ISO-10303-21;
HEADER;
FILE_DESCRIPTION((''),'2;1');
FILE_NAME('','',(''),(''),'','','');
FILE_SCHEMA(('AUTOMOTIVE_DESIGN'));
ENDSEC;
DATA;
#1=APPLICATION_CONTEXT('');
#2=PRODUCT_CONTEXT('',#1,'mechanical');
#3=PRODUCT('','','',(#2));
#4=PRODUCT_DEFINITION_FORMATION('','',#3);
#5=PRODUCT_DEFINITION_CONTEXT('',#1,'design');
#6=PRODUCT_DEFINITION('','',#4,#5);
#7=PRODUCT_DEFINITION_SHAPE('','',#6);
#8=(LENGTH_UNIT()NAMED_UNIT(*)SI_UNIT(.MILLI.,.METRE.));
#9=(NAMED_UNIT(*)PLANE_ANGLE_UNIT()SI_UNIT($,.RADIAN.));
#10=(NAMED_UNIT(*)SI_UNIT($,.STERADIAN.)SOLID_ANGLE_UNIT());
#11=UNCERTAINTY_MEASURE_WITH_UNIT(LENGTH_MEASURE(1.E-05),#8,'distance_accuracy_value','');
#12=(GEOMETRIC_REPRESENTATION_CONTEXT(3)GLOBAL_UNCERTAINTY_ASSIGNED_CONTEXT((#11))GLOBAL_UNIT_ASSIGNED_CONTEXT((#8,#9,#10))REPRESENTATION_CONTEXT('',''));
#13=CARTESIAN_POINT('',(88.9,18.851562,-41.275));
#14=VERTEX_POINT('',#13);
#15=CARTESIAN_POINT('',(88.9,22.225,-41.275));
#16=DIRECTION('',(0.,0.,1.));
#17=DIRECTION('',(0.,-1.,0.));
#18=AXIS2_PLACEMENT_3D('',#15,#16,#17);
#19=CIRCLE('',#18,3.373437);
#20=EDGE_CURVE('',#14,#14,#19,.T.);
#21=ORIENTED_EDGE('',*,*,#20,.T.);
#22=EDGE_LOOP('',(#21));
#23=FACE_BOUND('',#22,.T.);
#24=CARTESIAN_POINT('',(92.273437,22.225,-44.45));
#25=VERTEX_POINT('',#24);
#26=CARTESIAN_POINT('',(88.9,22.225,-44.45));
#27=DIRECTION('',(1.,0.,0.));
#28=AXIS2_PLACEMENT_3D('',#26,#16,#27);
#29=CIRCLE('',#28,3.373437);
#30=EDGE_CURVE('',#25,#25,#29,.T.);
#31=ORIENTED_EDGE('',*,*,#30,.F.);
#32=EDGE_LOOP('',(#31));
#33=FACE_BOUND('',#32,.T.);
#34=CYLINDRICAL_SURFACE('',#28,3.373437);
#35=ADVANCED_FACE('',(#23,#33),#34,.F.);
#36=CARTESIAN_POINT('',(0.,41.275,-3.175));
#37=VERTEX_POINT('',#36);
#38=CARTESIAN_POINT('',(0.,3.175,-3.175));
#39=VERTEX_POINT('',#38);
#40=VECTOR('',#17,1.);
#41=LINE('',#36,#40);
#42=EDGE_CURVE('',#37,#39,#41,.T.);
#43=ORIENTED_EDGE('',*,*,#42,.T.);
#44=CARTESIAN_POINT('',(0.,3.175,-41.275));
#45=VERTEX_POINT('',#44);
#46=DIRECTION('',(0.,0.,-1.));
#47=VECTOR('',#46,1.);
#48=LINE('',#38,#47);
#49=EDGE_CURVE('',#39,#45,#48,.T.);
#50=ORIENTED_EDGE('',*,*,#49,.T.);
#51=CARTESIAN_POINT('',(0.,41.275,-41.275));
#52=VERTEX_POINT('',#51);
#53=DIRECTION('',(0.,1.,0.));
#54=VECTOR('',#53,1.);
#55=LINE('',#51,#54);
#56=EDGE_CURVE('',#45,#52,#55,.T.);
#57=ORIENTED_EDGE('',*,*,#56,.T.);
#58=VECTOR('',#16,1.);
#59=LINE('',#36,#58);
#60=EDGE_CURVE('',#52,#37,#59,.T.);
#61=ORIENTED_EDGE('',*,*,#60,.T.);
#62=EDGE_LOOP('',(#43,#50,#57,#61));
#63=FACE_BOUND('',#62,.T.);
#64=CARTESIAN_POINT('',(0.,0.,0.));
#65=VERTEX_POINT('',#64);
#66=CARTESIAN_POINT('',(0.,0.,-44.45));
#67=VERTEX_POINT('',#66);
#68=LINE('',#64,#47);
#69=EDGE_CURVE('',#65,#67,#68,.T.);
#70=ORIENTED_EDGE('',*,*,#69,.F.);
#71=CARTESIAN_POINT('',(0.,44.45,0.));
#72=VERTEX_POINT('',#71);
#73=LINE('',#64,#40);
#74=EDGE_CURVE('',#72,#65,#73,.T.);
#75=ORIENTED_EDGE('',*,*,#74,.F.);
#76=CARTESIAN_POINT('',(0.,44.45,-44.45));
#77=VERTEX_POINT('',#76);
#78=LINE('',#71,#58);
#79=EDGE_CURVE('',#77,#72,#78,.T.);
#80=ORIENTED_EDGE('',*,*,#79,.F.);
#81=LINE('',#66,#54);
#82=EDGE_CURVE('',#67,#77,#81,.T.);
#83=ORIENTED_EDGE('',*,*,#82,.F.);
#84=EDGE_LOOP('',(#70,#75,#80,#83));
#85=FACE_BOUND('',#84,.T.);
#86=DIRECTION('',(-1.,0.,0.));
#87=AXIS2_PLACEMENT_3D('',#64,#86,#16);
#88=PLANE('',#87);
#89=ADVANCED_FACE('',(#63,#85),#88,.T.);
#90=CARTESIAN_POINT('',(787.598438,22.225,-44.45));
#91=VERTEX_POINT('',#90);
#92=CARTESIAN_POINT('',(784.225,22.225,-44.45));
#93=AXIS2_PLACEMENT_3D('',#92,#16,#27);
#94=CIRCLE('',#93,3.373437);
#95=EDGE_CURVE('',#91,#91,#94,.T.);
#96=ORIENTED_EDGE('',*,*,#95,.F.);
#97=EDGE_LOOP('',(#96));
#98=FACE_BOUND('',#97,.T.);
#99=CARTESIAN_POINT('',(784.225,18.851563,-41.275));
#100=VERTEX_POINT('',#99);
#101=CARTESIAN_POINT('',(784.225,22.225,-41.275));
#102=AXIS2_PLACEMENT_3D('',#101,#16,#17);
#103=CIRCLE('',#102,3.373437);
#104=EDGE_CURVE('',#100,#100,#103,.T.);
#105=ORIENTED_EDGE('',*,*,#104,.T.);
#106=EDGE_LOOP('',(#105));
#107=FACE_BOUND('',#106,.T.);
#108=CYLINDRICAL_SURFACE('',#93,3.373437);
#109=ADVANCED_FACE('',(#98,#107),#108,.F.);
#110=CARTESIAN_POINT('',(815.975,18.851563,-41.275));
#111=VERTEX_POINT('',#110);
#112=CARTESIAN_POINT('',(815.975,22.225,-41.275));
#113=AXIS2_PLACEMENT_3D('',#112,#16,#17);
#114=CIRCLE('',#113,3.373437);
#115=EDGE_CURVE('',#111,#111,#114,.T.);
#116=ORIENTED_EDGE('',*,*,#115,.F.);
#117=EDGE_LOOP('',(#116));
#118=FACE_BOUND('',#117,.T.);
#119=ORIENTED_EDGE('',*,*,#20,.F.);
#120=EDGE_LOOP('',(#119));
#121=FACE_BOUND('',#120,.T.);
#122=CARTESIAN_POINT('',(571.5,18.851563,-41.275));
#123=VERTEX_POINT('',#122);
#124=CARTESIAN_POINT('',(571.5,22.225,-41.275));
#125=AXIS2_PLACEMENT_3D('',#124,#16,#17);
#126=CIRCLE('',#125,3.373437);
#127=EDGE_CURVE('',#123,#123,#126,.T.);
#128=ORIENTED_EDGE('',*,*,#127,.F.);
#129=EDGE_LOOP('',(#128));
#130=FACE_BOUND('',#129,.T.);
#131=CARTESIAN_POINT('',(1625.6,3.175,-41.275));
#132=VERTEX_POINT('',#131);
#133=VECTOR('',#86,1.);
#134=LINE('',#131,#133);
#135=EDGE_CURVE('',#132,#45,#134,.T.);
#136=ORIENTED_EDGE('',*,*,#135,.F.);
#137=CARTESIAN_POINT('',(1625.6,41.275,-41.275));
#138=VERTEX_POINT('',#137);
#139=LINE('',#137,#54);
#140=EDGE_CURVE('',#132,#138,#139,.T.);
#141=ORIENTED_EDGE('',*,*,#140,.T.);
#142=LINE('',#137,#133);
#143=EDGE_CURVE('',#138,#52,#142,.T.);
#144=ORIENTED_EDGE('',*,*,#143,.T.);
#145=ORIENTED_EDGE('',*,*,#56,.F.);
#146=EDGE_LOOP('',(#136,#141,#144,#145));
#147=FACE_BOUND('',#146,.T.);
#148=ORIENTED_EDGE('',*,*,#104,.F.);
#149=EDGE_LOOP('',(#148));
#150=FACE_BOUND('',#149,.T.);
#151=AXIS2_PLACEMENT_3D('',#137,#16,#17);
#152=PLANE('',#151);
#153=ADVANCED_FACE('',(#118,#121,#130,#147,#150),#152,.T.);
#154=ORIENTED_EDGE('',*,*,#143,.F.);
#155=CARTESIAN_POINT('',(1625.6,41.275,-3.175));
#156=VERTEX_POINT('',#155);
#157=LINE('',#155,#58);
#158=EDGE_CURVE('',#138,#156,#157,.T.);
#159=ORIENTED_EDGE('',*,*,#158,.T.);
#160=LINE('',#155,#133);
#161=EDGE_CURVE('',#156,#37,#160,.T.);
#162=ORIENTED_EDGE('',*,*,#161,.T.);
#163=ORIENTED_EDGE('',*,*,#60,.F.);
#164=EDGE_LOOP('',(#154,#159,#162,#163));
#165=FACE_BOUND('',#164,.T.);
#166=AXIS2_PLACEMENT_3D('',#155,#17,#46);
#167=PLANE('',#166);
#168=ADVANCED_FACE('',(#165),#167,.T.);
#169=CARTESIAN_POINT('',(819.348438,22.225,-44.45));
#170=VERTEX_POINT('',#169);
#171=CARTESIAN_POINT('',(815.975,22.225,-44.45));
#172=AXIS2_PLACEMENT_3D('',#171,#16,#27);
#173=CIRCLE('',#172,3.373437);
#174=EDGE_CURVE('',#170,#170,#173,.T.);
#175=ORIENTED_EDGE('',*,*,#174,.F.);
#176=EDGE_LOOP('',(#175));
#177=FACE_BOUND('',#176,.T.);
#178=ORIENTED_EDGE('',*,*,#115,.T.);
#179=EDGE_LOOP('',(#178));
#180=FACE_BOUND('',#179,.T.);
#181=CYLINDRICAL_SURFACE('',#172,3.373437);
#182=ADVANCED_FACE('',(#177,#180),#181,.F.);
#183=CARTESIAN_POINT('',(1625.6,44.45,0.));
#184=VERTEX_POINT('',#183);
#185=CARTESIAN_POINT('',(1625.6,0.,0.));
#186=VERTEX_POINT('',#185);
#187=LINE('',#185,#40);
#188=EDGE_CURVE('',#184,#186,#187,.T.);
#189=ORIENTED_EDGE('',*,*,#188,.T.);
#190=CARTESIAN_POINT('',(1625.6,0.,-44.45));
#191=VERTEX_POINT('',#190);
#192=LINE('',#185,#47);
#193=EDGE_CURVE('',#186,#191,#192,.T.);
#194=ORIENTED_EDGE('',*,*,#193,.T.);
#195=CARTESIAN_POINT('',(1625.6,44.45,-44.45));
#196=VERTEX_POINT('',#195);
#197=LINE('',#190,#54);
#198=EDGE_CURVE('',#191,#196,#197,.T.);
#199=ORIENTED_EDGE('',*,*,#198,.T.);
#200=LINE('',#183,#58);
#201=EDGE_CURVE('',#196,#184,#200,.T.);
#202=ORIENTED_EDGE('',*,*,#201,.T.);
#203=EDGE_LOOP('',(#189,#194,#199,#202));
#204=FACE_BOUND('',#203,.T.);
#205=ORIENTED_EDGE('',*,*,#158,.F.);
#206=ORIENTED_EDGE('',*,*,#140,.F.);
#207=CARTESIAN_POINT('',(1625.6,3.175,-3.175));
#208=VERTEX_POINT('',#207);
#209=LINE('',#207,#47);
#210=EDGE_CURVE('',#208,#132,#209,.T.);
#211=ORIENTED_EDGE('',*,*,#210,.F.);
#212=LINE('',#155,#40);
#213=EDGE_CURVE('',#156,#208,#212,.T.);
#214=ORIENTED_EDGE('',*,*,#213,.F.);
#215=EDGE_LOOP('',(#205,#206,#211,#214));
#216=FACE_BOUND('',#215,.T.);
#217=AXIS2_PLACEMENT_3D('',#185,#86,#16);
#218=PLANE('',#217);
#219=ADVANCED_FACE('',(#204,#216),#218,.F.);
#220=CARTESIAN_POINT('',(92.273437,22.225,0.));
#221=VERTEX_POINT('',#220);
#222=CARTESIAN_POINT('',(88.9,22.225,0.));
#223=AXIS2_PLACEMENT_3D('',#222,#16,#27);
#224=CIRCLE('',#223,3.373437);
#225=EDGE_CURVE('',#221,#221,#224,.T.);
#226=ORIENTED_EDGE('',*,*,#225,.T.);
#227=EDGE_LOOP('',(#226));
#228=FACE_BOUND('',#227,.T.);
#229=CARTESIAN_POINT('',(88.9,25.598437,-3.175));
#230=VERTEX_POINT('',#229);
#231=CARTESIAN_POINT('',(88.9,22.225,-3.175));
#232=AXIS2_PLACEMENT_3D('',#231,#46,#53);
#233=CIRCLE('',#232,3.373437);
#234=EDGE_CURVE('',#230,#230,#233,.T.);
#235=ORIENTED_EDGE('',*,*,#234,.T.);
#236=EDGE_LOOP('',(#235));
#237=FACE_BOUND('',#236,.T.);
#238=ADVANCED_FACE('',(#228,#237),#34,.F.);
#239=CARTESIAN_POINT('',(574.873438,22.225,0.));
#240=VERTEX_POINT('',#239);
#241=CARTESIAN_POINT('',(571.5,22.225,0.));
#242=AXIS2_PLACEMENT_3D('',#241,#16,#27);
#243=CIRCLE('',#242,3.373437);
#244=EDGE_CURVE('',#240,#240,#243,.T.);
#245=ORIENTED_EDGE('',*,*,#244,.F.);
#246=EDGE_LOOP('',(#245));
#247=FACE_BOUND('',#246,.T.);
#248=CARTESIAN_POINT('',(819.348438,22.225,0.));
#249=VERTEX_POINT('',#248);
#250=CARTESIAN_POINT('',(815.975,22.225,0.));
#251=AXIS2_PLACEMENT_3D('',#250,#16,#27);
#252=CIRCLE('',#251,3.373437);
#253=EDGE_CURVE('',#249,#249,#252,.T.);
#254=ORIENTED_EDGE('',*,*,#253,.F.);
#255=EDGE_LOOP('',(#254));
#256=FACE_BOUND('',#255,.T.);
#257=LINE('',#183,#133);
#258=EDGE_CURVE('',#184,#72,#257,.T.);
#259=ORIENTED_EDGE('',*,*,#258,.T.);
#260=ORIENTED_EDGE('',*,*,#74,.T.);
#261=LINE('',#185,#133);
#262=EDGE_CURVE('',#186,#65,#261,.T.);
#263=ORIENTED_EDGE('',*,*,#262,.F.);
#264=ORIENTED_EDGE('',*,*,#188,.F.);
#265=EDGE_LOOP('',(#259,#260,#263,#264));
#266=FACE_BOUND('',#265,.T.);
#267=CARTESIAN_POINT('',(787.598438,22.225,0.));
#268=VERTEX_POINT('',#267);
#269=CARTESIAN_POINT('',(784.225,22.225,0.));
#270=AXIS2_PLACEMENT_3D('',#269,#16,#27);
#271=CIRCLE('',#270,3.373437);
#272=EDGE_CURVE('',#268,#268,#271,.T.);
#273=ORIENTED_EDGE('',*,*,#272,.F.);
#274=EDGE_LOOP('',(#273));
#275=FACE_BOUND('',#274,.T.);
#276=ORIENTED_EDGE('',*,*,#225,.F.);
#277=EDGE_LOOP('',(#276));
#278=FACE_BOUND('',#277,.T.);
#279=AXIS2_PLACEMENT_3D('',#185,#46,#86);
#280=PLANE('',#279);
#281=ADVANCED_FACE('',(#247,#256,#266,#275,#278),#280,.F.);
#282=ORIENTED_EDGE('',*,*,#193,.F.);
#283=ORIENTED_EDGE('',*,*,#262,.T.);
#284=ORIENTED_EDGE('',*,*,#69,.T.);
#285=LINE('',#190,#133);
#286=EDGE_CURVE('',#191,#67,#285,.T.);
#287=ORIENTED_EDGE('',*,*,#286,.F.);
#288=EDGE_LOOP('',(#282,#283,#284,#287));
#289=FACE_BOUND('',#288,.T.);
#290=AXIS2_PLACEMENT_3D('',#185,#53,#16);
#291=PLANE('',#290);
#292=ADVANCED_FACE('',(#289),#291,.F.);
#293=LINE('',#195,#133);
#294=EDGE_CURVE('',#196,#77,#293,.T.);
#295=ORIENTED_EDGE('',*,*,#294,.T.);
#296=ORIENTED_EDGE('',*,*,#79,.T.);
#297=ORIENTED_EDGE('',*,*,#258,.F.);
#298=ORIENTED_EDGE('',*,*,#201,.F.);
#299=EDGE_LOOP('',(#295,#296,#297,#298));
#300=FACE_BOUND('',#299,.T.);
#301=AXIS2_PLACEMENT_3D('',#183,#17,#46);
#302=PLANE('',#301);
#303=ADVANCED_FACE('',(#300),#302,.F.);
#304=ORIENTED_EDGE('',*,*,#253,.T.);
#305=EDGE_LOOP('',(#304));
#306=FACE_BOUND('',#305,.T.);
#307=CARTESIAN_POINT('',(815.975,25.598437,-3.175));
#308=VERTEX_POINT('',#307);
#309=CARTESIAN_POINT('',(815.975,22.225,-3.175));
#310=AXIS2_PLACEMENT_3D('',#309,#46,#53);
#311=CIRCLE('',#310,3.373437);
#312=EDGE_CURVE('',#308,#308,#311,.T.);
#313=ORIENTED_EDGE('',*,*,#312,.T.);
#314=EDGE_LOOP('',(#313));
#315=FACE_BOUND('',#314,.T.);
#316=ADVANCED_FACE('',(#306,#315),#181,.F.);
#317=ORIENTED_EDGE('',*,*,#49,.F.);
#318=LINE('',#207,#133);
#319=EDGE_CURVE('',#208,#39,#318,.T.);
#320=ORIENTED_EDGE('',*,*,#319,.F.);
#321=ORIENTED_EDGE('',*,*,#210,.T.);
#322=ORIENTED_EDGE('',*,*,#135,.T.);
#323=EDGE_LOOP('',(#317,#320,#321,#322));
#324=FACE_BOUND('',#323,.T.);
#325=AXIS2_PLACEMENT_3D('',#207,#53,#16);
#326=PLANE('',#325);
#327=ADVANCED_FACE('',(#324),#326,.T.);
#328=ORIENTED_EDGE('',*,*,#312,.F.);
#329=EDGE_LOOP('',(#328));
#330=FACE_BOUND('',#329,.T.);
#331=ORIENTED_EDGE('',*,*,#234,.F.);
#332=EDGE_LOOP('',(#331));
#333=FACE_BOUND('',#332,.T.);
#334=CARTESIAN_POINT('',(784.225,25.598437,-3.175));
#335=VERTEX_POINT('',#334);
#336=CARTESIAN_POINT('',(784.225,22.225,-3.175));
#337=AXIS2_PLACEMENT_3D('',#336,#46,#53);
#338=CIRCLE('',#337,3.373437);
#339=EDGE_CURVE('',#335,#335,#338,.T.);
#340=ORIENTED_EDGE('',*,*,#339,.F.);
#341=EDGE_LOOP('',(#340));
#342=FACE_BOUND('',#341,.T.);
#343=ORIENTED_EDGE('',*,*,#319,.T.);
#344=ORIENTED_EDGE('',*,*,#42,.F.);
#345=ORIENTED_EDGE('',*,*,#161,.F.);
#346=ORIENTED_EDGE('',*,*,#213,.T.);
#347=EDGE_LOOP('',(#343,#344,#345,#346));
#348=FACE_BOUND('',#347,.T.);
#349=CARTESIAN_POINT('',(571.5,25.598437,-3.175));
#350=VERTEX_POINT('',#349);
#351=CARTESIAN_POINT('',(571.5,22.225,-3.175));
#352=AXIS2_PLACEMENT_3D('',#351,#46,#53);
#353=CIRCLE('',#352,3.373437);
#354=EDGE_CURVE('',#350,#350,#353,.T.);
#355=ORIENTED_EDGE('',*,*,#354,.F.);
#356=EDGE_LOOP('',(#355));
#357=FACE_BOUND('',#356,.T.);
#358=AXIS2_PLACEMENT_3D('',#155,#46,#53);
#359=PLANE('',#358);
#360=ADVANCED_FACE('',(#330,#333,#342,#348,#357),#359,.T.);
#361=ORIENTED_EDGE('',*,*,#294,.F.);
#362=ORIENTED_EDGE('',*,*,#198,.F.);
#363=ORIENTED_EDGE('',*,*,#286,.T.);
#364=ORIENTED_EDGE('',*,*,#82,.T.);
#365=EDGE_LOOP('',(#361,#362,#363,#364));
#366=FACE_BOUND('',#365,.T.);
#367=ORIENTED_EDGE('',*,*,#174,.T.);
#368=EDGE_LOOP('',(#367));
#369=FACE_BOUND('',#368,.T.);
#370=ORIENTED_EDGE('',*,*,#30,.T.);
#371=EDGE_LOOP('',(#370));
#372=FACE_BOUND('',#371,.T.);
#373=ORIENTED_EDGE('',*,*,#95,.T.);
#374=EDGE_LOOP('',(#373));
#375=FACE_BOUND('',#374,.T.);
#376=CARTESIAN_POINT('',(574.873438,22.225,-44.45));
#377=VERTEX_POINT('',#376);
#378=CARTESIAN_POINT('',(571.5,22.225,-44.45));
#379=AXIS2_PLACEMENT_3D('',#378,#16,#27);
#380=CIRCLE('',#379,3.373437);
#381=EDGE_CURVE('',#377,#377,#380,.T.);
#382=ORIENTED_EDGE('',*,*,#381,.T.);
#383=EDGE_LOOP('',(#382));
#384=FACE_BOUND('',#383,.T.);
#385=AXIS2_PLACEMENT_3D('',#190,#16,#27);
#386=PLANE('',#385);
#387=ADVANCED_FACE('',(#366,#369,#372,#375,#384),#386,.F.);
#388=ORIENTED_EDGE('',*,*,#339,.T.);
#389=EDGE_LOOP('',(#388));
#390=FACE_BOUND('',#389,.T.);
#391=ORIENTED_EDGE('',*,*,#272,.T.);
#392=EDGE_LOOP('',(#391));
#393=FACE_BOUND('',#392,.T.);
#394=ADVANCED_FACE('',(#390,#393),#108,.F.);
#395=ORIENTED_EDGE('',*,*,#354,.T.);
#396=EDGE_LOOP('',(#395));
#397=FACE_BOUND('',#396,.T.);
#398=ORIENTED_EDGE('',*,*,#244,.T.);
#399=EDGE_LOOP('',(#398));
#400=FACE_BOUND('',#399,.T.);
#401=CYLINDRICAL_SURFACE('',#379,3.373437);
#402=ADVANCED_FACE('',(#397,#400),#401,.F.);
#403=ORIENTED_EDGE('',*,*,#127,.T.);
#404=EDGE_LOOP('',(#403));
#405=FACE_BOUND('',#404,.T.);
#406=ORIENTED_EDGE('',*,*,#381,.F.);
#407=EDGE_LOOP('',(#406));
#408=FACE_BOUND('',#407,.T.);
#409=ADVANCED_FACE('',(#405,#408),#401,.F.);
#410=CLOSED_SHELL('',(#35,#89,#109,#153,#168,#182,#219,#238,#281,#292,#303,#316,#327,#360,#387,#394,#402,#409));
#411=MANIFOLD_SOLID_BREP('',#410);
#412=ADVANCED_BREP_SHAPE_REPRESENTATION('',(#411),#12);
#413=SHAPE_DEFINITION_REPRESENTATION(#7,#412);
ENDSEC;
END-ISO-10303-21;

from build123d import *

# Parameters (mm, degrees)
SKETCH1_W           = 44.45
SKETCH1_H           = 44.45
SKETCH1_W_2         = 38.1
SKETCH1_H_2         = 38.1
BOSS_EXTRUDE1_DEPTH = 1625.6
SKETCH2_R           = 3.3734375
CUT_EXTRUDE1_DEPTH  = 45.45


with BuildPart() as part:
    # Sketch1 → Boss-Extrude1 (new body)
    with BuildSketch(Plane(origin=(0, 0, 0), x_dir=(0, 0, -1), z_dir=(1, 0, 0))):
        with Locations((22.225, 22.225)):
            Rectangle(SKETCH1_W, SKETCH1_H)
        with Locations((22.225, 22.225)):
            Rectangle(SKETCH1_W_2, SKETCH1_H_2, mode=Mode.SUBTRACT)
    extrude(amount=BOSS_EXTRUDE1_DEPTH)

    # Sketch2 → Cut-Extrude1 (cut, through all)
    with BuildSketch(Plane.XY):
        with Locations((784.225, 22.225)):
            Circle(SKETCH2_R)
        with Locations((815.975, 22.225)):
            Circle(SKETCH2_R)
        with Locations((571.5, 22.225)):
            Circle(SKETCH2_R)
        with Locations((88.9, 22.225)):
            Circle(SKETCH2_R)
    extrude(amount=-CUT_EXTRUDE1_DEPTH, mode=Mode.SUBTRACT)


solid = part.part
